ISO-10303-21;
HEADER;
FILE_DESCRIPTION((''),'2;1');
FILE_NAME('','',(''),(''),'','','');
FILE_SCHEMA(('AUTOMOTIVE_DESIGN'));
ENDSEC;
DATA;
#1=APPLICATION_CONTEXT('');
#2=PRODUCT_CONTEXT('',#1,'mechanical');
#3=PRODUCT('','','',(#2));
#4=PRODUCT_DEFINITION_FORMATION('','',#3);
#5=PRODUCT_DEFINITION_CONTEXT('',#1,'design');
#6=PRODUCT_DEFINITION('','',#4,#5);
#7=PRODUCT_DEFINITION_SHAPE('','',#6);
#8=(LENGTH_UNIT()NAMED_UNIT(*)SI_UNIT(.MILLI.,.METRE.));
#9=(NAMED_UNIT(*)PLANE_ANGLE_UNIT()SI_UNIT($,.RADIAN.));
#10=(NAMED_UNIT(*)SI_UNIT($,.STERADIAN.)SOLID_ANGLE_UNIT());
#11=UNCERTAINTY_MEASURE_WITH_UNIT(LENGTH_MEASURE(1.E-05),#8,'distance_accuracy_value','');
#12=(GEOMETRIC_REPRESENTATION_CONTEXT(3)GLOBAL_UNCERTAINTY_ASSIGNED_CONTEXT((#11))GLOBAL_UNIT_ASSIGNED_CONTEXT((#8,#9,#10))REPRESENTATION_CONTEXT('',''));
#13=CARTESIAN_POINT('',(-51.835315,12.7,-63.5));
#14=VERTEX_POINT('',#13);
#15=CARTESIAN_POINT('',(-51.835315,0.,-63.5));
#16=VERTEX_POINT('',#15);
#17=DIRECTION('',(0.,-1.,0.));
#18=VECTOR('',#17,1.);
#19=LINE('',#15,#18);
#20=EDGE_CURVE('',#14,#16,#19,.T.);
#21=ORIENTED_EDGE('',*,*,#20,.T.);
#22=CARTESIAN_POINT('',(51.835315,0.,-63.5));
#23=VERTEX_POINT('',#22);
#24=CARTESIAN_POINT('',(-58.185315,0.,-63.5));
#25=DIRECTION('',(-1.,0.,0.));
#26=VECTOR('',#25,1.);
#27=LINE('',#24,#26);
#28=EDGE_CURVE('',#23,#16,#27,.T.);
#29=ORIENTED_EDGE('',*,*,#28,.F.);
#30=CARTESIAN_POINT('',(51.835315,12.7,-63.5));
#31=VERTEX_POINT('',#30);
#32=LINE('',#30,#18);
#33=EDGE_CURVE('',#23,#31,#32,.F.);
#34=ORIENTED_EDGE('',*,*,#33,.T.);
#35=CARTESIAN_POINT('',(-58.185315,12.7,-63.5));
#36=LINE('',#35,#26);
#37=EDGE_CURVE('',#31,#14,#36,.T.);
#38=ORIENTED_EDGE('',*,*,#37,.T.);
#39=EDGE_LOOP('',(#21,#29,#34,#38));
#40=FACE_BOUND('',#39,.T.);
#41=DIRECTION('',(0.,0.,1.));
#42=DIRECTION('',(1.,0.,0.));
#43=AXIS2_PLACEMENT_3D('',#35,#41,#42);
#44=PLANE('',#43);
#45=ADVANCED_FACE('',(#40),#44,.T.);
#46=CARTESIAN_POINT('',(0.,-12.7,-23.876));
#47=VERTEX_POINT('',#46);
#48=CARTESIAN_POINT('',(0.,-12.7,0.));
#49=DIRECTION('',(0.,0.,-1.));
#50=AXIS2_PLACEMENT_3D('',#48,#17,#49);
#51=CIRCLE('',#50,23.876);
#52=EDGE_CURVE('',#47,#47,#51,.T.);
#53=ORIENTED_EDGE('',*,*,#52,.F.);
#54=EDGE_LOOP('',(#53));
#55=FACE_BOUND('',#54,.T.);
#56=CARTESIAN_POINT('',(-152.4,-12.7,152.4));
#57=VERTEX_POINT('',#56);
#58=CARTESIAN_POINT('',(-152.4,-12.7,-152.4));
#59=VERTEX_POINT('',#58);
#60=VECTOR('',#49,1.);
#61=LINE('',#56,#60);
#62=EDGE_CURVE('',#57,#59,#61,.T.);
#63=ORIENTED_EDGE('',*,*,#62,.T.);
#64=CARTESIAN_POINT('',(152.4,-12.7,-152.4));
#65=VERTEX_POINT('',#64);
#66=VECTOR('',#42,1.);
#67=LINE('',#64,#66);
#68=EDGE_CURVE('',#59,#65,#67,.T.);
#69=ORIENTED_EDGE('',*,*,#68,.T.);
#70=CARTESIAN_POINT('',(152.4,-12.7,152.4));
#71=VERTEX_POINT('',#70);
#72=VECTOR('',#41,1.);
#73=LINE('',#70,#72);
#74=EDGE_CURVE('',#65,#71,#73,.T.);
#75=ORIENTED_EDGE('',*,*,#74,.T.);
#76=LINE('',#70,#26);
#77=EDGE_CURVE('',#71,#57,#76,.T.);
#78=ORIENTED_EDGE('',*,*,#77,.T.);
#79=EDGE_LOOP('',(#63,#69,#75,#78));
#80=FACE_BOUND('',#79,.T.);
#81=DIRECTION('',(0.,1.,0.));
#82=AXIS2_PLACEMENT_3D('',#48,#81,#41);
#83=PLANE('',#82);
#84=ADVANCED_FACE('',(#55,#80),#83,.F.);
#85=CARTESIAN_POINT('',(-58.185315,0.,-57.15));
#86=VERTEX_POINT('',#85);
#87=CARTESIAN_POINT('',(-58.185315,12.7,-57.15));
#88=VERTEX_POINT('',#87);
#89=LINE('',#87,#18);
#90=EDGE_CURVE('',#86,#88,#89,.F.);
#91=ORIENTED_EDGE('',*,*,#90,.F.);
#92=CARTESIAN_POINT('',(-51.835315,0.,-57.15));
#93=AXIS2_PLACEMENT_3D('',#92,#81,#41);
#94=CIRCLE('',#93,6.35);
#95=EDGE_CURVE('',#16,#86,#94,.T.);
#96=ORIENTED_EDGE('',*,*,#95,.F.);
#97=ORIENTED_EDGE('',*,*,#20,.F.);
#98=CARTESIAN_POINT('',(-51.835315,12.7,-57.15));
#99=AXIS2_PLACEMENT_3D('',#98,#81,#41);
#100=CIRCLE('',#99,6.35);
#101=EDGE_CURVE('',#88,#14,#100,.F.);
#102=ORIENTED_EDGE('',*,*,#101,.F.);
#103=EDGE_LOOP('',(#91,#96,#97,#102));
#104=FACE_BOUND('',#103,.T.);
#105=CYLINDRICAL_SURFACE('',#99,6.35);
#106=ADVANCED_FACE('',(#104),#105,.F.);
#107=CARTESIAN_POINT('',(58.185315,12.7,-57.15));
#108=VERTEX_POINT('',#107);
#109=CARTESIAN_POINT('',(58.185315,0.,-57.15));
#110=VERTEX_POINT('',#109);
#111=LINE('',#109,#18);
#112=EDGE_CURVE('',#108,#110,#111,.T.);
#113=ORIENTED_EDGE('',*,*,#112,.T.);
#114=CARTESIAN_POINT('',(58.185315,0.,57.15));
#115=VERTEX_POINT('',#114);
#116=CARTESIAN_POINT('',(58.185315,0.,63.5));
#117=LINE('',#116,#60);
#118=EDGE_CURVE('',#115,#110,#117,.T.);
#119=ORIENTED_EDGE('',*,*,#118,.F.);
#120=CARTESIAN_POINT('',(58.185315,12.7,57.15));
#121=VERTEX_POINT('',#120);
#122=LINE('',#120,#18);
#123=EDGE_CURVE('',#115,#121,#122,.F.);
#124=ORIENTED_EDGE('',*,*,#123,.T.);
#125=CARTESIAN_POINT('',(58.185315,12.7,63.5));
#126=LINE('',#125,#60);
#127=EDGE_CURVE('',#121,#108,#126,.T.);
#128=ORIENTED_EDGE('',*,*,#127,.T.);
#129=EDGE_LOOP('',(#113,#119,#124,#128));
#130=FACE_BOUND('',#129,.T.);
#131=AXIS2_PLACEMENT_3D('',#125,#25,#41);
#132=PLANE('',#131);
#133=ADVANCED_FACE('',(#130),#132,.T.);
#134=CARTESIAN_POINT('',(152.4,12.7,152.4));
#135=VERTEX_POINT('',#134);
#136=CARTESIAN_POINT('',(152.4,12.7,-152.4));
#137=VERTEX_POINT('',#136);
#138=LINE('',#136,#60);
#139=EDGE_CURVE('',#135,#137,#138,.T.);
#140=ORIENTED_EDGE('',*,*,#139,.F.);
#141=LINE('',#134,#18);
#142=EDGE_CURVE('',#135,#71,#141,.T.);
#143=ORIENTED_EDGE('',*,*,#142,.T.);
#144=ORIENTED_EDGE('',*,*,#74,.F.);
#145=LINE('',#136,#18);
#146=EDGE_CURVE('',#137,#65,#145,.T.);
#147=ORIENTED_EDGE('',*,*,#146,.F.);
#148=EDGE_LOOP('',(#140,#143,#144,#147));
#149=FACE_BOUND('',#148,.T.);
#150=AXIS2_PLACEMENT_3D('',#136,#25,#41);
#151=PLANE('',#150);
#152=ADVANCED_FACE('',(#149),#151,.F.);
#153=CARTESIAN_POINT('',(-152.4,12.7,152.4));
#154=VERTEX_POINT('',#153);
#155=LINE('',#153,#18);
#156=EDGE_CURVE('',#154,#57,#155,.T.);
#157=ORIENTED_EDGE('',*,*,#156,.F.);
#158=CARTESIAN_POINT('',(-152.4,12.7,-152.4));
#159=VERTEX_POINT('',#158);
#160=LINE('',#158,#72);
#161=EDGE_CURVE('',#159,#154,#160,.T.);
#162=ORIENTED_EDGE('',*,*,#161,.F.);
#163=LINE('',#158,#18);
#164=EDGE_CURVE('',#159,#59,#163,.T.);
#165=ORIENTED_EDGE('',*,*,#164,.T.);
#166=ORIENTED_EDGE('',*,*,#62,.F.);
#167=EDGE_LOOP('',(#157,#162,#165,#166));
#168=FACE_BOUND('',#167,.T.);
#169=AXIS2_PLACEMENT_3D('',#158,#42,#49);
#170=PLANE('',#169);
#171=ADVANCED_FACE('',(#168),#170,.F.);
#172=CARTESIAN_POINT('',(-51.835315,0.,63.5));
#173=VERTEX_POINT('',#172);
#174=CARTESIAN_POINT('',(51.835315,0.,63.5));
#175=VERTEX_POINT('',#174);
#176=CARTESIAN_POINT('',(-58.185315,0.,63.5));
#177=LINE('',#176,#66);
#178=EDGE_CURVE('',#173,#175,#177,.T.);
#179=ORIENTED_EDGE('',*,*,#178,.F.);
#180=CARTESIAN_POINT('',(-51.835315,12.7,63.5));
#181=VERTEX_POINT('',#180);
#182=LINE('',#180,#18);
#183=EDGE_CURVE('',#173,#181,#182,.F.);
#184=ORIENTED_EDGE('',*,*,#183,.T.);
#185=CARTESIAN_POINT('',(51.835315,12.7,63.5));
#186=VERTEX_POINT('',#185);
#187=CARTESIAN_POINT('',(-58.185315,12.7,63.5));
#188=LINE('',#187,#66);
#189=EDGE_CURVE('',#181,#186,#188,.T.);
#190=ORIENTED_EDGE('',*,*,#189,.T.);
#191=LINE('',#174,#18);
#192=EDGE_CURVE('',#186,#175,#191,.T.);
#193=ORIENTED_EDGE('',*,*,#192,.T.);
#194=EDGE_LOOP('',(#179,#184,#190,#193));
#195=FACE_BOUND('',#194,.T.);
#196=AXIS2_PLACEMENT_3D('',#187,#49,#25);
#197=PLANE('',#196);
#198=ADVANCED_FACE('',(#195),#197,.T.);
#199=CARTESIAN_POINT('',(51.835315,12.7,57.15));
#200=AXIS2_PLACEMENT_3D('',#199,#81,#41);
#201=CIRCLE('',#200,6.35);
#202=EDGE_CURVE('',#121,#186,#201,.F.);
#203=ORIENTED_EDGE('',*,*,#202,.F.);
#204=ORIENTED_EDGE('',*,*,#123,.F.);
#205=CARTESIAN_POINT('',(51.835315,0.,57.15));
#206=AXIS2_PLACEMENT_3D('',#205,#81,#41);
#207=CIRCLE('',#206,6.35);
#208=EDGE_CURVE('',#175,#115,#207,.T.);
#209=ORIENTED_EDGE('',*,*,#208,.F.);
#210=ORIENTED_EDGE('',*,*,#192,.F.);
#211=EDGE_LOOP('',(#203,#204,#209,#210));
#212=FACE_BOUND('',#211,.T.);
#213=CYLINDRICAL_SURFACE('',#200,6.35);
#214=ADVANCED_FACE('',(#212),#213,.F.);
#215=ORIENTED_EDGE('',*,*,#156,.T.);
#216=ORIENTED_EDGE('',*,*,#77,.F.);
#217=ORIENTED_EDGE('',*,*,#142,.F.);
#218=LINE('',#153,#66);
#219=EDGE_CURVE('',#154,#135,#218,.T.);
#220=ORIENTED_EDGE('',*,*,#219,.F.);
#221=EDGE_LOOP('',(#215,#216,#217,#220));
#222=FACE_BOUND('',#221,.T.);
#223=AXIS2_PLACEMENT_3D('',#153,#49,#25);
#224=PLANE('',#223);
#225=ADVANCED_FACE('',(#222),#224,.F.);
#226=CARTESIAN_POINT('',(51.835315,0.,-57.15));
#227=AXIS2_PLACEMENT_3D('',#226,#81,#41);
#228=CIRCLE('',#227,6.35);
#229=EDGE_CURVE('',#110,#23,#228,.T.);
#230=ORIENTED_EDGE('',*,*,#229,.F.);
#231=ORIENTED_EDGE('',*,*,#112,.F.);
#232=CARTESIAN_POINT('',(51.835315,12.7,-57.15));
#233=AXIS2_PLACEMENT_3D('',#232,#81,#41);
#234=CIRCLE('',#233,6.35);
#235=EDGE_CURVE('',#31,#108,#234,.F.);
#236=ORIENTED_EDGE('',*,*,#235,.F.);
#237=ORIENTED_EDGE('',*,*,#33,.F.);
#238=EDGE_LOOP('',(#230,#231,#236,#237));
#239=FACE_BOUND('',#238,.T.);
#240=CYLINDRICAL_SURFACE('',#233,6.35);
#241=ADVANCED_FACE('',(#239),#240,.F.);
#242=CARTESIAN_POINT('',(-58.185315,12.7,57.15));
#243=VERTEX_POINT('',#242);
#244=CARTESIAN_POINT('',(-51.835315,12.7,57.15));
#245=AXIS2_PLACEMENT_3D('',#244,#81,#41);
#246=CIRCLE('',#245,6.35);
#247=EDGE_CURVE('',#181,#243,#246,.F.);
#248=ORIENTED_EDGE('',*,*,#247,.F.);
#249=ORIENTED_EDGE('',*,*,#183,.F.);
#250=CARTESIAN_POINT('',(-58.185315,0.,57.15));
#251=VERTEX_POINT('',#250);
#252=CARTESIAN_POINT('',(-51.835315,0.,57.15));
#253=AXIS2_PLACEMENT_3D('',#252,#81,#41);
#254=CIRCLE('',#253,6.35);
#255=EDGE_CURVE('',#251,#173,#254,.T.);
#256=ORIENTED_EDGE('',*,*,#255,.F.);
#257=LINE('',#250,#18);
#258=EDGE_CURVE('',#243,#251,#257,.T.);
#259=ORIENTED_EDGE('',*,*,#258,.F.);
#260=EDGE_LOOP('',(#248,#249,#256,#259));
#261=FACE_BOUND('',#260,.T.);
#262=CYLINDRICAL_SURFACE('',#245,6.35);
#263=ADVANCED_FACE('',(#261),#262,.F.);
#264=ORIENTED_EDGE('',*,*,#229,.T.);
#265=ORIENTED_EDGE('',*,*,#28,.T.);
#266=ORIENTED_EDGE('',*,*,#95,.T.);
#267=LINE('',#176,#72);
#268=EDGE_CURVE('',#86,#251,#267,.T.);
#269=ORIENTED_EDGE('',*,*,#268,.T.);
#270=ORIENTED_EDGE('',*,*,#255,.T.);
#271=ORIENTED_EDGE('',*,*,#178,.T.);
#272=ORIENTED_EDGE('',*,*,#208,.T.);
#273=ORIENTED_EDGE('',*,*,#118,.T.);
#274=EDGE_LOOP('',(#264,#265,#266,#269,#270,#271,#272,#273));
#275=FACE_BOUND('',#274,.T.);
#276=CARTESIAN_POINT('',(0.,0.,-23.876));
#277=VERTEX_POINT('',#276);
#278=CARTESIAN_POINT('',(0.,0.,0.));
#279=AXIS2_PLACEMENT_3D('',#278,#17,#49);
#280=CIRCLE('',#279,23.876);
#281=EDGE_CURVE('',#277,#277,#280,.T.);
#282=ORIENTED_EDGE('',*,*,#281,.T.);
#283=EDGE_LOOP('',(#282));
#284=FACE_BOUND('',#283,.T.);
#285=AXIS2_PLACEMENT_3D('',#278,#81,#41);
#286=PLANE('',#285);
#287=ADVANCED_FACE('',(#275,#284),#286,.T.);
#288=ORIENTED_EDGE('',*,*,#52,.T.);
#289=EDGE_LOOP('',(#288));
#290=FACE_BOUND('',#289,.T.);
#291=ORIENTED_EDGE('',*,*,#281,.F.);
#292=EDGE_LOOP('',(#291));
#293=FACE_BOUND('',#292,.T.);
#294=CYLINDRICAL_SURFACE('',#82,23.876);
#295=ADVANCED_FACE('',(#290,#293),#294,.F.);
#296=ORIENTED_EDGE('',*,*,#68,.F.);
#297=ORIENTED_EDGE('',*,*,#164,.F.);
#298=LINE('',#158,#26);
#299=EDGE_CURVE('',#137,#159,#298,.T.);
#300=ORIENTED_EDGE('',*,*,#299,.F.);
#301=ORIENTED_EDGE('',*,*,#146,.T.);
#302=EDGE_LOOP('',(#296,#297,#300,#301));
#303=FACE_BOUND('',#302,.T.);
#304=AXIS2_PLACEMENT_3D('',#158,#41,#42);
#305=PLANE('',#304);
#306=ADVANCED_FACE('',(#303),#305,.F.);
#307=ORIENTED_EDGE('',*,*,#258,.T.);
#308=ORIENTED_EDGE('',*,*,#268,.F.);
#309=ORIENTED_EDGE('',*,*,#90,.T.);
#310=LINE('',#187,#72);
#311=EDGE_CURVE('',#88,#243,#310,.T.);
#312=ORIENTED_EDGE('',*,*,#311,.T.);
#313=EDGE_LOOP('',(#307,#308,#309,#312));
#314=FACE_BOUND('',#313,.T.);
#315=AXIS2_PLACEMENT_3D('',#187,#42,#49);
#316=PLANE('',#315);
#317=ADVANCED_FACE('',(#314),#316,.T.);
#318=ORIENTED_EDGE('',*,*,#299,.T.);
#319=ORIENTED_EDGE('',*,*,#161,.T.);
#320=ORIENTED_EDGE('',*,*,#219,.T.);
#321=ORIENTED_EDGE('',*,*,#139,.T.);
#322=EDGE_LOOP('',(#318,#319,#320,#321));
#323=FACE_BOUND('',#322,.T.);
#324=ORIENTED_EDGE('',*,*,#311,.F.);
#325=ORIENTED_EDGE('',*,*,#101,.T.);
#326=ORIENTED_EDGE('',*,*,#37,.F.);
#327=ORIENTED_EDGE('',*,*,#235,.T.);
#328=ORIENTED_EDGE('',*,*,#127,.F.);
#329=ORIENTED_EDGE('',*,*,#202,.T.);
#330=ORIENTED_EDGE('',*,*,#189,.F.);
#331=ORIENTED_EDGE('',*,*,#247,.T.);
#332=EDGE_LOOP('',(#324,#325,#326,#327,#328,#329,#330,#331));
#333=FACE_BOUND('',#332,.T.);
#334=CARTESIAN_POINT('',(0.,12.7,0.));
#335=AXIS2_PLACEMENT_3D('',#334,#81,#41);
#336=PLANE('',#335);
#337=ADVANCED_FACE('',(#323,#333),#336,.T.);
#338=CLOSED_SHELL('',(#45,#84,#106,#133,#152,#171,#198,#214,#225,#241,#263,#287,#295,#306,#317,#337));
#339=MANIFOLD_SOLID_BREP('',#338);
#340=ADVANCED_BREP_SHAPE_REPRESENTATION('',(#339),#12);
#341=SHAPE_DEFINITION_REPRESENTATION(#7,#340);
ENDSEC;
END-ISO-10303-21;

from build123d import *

# Parameters (mm, degrees)
SKETCH1_W                = 304.8
SKETCH1_H                = 304.8
SKETCH1_W_2              = 116.370630768
SKETCH1_H_2              = 127
SHEET_METAL_CUTOUT_DEPTH = 12.7
CUTOUT_FILLET_R          = 6.35
SKETCH2_W                = 304.8
SKETCH2_H                = 304.8
SKETCH2_R                = 23.876
BOSS_EXTRUDE2_DEPTH      = 12.7


with BuildPart() as part:
    # Sketch1 → Sheet metal cutout (new body)
    with BuildSketch(Plane(origin=(0, 0, 0), x_dir=(1, 0, 0), z_dir=(0, 1, 0))):
        Rectangle(SKETCH1_W, SKETCH1_H)
        Rectangle(SKETCH1_W_2, SKETCH1_H_2, mode=Mode.SUBTRACT)
    extrude(amount=SHEET_METAL_CUTOUT_DEPTH)

    # cutout fillet
    cutout_fillet_edges = [part.edges().sort_by_distance(p)[0] for p in [
        (58.185315384, 6.35, 63.5),
        (58.185315384, 6.35, -63.5),
        (-58.185315384, 6.35, -63.5),
        (-58.185315384, 6.35, 63.5),
    ]]
    fillet(cutout_fillet_edges, radius=CUTOUT_FILLET_R)

    # Sketch2 → Boss-Extrude2 (add)
    with BuildSketch(Plane.XZ):
        Rectangle(SKETCH2_W, SKETCH2_H)
        with Locations(Location((0, 0, 0), (0, 0, 270))):
            Circle(SKETCH2_R, mode=Mode.SUBTRACT)
    extrude(amount=BOSS_EXTRUDE2_DEPTH)


solid = part.part
